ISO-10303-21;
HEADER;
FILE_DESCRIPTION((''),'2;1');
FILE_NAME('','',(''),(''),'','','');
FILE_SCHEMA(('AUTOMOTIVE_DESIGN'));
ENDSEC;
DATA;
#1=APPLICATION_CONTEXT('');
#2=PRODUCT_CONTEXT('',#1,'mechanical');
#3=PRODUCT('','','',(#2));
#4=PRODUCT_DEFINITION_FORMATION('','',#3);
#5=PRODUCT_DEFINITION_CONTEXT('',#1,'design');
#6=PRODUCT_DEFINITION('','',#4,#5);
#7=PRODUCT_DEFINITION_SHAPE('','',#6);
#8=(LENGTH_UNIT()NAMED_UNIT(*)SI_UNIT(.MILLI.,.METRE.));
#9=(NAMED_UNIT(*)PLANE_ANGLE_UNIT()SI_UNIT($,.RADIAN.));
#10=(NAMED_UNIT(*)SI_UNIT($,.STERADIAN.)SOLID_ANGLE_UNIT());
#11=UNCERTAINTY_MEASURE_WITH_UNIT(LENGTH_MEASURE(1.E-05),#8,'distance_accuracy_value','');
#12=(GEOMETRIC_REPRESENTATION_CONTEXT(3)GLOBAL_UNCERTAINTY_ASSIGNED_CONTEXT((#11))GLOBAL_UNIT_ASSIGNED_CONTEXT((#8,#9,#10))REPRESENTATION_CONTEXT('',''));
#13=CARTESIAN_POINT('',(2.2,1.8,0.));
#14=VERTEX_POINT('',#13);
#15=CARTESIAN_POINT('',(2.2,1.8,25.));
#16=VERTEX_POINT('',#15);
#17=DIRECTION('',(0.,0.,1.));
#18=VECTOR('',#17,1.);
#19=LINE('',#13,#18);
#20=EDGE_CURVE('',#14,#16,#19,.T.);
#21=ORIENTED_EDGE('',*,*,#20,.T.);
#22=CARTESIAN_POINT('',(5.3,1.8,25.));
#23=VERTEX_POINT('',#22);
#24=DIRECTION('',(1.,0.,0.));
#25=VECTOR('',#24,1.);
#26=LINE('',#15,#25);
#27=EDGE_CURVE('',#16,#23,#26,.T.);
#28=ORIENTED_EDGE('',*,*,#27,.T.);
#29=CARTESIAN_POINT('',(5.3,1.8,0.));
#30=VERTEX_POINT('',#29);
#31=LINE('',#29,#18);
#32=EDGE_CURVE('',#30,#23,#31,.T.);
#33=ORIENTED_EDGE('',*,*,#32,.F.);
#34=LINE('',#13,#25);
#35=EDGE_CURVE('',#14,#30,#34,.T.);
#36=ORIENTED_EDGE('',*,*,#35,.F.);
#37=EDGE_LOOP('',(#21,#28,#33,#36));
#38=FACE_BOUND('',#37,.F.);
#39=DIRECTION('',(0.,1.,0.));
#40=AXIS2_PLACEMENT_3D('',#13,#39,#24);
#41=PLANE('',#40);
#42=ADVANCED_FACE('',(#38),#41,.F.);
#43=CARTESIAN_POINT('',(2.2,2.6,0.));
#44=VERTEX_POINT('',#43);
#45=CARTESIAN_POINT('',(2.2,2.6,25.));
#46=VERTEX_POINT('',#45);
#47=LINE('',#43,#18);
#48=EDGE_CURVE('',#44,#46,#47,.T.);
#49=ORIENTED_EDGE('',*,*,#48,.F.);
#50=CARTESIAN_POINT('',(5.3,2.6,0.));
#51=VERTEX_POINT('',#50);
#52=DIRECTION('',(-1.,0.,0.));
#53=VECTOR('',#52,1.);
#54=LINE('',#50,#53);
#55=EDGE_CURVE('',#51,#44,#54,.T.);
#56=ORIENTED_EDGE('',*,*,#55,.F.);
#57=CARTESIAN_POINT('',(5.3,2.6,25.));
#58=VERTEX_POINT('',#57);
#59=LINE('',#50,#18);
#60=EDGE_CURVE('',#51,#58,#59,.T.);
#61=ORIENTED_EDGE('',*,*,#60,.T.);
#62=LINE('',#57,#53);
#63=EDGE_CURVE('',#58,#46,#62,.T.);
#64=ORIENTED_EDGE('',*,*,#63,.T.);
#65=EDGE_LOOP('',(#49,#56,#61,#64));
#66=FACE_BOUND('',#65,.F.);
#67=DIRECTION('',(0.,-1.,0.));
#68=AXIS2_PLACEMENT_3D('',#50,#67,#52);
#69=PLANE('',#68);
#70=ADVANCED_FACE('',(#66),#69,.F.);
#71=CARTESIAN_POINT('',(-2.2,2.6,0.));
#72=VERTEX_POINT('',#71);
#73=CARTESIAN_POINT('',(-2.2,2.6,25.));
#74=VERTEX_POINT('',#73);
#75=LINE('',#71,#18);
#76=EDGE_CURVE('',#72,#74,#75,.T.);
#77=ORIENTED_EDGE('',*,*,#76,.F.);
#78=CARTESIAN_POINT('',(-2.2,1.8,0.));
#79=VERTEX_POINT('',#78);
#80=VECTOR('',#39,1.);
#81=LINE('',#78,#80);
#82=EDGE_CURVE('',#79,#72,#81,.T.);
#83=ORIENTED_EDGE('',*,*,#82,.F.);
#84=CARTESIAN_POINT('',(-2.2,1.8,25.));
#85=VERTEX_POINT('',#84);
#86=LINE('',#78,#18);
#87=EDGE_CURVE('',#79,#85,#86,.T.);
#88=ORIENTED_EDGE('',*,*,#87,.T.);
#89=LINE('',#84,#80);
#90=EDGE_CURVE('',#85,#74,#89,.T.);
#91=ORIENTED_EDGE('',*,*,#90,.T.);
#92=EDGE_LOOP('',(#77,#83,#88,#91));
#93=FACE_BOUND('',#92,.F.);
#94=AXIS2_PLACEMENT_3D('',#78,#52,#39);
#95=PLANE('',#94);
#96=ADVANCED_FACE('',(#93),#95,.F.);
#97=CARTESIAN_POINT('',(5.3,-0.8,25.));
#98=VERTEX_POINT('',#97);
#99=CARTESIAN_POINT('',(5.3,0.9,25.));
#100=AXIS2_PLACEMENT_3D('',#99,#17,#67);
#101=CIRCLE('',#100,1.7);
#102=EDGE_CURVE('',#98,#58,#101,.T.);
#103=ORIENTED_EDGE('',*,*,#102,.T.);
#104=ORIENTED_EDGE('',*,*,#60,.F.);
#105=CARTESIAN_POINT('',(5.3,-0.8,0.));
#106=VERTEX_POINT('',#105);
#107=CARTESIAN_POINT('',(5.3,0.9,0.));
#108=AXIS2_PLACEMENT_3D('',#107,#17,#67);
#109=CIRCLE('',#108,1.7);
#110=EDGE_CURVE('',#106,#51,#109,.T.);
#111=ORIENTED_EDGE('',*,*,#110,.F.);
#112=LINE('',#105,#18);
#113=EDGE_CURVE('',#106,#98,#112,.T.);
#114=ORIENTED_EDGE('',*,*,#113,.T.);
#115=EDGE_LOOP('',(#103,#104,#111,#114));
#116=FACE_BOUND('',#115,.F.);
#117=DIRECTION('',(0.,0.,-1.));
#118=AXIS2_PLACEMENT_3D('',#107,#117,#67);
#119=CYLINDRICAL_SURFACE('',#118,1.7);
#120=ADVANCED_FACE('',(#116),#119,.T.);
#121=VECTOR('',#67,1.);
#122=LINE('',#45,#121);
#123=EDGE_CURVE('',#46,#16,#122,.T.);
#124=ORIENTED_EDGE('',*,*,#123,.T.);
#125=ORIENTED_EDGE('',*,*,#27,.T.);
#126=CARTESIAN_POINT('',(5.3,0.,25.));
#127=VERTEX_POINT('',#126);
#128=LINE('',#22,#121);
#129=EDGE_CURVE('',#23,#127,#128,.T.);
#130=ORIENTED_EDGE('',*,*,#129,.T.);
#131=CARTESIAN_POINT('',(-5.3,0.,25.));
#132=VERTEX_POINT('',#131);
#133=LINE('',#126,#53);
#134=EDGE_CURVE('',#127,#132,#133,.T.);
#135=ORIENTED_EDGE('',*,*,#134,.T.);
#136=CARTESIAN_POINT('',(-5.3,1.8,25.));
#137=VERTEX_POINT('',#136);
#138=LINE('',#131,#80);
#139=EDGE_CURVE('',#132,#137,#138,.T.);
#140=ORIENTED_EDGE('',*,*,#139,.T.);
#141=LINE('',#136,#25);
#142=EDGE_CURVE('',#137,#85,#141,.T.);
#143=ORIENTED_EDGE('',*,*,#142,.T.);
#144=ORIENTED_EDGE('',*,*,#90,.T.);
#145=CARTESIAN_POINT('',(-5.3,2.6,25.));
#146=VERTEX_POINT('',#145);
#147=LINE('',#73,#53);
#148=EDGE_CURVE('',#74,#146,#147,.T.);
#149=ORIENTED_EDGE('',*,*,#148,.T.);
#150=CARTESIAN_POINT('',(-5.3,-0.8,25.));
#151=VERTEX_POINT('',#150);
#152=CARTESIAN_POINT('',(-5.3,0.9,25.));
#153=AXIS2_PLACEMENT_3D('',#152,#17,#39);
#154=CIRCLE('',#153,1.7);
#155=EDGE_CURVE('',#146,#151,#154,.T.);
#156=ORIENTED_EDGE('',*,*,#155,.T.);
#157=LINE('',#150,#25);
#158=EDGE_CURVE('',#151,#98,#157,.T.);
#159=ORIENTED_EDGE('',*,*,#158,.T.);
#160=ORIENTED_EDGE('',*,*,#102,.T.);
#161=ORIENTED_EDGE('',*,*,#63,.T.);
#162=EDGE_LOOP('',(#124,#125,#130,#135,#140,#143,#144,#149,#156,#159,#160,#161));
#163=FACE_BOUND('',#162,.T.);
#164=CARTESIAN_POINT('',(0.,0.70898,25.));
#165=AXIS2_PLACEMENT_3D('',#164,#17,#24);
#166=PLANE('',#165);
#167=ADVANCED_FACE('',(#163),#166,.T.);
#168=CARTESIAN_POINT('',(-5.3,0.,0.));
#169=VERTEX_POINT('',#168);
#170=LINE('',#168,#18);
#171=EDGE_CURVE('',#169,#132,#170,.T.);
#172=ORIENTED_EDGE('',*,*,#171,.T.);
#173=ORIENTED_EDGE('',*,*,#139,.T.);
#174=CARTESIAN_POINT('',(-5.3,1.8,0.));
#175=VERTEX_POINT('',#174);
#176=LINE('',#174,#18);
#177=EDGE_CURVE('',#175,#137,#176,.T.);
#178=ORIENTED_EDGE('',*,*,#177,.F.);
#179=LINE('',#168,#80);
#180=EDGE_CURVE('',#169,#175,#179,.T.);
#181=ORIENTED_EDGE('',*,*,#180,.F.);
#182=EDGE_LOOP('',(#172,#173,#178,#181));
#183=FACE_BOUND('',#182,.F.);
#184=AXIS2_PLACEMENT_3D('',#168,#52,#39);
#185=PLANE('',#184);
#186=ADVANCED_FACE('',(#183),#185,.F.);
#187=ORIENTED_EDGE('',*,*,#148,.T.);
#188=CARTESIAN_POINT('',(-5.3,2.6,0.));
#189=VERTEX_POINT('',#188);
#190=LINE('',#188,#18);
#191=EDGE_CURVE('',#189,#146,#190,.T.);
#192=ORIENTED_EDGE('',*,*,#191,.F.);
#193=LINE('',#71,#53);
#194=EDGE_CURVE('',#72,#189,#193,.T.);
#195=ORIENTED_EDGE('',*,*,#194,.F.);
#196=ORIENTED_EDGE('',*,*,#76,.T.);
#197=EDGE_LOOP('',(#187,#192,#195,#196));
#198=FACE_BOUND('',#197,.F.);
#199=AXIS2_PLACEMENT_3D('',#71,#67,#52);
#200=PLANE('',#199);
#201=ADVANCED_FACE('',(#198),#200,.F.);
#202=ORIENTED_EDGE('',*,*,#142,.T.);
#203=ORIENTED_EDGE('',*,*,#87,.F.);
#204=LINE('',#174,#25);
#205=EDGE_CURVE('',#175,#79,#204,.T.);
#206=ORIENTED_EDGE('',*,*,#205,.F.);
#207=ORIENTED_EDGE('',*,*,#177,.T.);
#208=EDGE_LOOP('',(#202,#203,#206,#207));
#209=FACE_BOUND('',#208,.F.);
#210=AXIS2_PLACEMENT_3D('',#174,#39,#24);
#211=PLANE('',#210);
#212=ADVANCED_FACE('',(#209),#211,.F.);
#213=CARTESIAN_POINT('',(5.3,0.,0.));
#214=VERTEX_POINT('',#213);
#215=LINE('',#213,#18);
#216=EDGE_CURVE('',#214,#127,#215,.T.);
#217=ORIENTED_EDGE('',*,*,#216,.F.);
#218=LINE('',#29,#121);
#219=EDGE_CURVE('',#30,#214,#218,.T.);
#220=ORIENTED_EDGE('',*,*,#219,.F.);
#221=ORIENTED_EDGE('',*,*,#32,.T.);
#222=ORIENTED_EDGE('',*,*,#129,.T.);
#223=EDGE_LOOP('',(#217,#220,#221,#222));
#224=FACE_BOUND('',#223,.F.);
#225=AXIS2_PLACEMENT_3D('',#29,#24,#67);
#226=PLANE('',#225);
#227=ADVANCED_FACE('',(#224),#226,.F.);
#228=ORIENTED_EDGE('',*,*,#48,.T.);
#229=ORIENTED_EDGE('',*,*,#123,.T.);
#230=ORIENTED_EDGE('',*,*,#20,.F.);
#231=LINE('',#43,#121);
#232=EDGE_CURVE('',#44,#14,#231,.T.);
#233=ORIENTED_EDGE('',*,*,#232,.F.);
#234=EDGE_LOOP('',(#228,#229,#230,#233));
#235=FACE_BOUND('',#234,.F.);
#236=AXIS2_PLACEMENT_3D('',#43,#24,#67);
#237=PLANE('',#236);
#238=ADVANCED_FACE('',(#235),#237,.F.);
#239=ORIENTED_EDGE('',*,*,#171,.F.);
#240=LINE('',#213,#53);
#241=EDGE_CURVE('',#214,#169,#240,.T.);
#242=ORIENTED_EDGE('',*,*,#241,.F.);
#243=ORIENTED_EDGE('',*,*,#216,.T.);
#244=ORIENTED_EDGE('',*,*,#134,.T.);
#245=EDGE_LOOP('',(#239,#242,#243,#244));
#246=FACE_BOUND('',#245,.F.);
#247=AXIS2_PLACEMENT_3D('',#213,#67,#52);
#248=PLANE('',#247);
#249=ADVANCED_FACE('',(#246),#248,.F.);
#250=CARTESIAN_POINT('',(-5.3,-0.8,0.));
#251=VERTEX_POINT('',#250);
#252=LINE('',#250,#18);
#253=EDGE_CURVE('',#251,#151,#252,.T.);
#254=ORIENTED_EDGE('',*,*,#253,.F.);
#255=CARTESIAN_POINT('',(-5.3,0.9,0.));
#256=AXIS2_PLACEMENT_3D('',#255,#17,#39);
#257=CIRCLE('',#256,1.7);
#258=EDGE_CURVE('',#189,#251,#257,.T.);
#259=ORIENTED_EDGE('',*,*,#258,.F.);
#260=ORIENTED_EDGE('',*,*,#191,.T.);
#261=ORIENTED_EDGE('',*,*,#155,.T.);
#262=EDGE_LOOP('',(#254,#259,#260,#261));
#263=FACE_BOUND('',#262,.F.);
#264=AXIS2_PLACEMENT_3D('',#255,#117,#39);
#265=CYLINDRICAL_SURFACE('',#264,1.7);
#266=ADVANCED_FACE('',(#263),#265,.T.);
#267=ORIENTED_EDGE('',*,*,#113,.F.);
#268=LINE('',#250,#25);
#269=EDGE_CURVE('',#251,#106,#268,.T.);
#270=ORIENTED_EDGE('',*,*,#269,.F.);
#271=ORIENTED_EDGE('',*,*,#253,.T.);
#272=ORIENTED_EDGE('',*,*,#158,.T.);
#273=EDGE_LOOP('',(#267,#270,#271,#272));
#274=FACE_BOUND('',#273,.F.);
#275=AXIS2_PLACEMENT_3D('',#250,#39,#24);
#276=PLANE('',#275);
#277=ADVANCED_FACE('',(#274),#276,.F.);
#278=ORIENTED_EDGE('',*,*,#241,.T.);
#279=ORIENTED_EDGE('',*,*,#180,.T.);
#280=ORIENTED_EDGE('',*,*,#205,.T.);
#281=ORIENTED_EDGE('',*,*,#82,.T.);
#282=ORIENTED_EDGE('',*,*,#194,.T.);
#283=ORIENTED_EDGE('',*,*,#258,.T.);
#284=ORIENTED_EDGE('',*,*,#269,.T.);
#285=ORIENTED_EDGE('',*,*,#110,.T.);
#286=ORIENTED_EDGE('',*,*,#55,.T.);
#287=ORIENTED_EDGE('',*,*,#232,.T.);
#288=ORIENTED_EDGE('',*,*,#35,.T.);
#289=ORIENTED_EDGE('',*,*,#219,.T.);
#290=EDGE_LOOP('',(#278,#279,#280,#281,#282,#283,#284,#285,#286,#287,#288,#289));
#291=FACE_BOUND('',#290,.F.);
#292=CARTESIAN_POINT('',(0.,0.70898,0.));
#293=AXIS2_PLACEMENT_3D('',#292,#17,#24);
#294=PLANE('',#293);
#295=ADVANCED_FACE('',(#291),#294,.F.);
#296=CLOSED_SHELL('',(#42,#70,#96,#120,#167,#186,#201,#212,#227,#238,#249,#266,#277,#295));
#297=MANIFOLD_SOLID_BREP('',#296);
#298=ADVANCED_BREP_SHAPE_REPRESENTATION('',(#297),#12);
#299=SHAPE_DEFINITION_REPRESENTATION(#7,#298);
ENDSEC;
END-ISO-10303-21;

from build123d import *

# Parameters (mm, degrees)
F1_DEPTH = 25


with BuildPart() as f1:
    # F0 (on Top) → F1 (new body)
    with BuildSketch(Plane.XY):
        with BuildLine():
            Line((5.3, 0), (0, 0))
            Line((0, 0), (-5.3, 0))
            Line((-5.3, 0), (-5.3, 1.8))
            Line((-5.3, 1.8), (-2.2, 1.8))
            Line((-2.2, 1.8), (-2.2, 2.6))
            Line((-2.2, 2.6), (-5.3, 2.6))
            ThreePointArc((-5.3, 2.6), (-7, 0.9), (-5.3, -0.8))
            Line((-5.3, -0.8), (0, -0.8))
            Line((0, -0.8), (5.3, -0.8))
            ThreePointArc((5.3, -0.8), (7, 0.9), (5.3, 2.6))
            Line((5.3, 2.6), (2.2, 2.6))
            Line((2.2, 2.6), (2.2, 1.8))
            Line((2.2, 1.8), (5.3, 1.8))
            Line((5.3, 1.8), (5.3, 0))
        make_face()
    extrude(amount=F1_DEPTH)


solid = f1.part
